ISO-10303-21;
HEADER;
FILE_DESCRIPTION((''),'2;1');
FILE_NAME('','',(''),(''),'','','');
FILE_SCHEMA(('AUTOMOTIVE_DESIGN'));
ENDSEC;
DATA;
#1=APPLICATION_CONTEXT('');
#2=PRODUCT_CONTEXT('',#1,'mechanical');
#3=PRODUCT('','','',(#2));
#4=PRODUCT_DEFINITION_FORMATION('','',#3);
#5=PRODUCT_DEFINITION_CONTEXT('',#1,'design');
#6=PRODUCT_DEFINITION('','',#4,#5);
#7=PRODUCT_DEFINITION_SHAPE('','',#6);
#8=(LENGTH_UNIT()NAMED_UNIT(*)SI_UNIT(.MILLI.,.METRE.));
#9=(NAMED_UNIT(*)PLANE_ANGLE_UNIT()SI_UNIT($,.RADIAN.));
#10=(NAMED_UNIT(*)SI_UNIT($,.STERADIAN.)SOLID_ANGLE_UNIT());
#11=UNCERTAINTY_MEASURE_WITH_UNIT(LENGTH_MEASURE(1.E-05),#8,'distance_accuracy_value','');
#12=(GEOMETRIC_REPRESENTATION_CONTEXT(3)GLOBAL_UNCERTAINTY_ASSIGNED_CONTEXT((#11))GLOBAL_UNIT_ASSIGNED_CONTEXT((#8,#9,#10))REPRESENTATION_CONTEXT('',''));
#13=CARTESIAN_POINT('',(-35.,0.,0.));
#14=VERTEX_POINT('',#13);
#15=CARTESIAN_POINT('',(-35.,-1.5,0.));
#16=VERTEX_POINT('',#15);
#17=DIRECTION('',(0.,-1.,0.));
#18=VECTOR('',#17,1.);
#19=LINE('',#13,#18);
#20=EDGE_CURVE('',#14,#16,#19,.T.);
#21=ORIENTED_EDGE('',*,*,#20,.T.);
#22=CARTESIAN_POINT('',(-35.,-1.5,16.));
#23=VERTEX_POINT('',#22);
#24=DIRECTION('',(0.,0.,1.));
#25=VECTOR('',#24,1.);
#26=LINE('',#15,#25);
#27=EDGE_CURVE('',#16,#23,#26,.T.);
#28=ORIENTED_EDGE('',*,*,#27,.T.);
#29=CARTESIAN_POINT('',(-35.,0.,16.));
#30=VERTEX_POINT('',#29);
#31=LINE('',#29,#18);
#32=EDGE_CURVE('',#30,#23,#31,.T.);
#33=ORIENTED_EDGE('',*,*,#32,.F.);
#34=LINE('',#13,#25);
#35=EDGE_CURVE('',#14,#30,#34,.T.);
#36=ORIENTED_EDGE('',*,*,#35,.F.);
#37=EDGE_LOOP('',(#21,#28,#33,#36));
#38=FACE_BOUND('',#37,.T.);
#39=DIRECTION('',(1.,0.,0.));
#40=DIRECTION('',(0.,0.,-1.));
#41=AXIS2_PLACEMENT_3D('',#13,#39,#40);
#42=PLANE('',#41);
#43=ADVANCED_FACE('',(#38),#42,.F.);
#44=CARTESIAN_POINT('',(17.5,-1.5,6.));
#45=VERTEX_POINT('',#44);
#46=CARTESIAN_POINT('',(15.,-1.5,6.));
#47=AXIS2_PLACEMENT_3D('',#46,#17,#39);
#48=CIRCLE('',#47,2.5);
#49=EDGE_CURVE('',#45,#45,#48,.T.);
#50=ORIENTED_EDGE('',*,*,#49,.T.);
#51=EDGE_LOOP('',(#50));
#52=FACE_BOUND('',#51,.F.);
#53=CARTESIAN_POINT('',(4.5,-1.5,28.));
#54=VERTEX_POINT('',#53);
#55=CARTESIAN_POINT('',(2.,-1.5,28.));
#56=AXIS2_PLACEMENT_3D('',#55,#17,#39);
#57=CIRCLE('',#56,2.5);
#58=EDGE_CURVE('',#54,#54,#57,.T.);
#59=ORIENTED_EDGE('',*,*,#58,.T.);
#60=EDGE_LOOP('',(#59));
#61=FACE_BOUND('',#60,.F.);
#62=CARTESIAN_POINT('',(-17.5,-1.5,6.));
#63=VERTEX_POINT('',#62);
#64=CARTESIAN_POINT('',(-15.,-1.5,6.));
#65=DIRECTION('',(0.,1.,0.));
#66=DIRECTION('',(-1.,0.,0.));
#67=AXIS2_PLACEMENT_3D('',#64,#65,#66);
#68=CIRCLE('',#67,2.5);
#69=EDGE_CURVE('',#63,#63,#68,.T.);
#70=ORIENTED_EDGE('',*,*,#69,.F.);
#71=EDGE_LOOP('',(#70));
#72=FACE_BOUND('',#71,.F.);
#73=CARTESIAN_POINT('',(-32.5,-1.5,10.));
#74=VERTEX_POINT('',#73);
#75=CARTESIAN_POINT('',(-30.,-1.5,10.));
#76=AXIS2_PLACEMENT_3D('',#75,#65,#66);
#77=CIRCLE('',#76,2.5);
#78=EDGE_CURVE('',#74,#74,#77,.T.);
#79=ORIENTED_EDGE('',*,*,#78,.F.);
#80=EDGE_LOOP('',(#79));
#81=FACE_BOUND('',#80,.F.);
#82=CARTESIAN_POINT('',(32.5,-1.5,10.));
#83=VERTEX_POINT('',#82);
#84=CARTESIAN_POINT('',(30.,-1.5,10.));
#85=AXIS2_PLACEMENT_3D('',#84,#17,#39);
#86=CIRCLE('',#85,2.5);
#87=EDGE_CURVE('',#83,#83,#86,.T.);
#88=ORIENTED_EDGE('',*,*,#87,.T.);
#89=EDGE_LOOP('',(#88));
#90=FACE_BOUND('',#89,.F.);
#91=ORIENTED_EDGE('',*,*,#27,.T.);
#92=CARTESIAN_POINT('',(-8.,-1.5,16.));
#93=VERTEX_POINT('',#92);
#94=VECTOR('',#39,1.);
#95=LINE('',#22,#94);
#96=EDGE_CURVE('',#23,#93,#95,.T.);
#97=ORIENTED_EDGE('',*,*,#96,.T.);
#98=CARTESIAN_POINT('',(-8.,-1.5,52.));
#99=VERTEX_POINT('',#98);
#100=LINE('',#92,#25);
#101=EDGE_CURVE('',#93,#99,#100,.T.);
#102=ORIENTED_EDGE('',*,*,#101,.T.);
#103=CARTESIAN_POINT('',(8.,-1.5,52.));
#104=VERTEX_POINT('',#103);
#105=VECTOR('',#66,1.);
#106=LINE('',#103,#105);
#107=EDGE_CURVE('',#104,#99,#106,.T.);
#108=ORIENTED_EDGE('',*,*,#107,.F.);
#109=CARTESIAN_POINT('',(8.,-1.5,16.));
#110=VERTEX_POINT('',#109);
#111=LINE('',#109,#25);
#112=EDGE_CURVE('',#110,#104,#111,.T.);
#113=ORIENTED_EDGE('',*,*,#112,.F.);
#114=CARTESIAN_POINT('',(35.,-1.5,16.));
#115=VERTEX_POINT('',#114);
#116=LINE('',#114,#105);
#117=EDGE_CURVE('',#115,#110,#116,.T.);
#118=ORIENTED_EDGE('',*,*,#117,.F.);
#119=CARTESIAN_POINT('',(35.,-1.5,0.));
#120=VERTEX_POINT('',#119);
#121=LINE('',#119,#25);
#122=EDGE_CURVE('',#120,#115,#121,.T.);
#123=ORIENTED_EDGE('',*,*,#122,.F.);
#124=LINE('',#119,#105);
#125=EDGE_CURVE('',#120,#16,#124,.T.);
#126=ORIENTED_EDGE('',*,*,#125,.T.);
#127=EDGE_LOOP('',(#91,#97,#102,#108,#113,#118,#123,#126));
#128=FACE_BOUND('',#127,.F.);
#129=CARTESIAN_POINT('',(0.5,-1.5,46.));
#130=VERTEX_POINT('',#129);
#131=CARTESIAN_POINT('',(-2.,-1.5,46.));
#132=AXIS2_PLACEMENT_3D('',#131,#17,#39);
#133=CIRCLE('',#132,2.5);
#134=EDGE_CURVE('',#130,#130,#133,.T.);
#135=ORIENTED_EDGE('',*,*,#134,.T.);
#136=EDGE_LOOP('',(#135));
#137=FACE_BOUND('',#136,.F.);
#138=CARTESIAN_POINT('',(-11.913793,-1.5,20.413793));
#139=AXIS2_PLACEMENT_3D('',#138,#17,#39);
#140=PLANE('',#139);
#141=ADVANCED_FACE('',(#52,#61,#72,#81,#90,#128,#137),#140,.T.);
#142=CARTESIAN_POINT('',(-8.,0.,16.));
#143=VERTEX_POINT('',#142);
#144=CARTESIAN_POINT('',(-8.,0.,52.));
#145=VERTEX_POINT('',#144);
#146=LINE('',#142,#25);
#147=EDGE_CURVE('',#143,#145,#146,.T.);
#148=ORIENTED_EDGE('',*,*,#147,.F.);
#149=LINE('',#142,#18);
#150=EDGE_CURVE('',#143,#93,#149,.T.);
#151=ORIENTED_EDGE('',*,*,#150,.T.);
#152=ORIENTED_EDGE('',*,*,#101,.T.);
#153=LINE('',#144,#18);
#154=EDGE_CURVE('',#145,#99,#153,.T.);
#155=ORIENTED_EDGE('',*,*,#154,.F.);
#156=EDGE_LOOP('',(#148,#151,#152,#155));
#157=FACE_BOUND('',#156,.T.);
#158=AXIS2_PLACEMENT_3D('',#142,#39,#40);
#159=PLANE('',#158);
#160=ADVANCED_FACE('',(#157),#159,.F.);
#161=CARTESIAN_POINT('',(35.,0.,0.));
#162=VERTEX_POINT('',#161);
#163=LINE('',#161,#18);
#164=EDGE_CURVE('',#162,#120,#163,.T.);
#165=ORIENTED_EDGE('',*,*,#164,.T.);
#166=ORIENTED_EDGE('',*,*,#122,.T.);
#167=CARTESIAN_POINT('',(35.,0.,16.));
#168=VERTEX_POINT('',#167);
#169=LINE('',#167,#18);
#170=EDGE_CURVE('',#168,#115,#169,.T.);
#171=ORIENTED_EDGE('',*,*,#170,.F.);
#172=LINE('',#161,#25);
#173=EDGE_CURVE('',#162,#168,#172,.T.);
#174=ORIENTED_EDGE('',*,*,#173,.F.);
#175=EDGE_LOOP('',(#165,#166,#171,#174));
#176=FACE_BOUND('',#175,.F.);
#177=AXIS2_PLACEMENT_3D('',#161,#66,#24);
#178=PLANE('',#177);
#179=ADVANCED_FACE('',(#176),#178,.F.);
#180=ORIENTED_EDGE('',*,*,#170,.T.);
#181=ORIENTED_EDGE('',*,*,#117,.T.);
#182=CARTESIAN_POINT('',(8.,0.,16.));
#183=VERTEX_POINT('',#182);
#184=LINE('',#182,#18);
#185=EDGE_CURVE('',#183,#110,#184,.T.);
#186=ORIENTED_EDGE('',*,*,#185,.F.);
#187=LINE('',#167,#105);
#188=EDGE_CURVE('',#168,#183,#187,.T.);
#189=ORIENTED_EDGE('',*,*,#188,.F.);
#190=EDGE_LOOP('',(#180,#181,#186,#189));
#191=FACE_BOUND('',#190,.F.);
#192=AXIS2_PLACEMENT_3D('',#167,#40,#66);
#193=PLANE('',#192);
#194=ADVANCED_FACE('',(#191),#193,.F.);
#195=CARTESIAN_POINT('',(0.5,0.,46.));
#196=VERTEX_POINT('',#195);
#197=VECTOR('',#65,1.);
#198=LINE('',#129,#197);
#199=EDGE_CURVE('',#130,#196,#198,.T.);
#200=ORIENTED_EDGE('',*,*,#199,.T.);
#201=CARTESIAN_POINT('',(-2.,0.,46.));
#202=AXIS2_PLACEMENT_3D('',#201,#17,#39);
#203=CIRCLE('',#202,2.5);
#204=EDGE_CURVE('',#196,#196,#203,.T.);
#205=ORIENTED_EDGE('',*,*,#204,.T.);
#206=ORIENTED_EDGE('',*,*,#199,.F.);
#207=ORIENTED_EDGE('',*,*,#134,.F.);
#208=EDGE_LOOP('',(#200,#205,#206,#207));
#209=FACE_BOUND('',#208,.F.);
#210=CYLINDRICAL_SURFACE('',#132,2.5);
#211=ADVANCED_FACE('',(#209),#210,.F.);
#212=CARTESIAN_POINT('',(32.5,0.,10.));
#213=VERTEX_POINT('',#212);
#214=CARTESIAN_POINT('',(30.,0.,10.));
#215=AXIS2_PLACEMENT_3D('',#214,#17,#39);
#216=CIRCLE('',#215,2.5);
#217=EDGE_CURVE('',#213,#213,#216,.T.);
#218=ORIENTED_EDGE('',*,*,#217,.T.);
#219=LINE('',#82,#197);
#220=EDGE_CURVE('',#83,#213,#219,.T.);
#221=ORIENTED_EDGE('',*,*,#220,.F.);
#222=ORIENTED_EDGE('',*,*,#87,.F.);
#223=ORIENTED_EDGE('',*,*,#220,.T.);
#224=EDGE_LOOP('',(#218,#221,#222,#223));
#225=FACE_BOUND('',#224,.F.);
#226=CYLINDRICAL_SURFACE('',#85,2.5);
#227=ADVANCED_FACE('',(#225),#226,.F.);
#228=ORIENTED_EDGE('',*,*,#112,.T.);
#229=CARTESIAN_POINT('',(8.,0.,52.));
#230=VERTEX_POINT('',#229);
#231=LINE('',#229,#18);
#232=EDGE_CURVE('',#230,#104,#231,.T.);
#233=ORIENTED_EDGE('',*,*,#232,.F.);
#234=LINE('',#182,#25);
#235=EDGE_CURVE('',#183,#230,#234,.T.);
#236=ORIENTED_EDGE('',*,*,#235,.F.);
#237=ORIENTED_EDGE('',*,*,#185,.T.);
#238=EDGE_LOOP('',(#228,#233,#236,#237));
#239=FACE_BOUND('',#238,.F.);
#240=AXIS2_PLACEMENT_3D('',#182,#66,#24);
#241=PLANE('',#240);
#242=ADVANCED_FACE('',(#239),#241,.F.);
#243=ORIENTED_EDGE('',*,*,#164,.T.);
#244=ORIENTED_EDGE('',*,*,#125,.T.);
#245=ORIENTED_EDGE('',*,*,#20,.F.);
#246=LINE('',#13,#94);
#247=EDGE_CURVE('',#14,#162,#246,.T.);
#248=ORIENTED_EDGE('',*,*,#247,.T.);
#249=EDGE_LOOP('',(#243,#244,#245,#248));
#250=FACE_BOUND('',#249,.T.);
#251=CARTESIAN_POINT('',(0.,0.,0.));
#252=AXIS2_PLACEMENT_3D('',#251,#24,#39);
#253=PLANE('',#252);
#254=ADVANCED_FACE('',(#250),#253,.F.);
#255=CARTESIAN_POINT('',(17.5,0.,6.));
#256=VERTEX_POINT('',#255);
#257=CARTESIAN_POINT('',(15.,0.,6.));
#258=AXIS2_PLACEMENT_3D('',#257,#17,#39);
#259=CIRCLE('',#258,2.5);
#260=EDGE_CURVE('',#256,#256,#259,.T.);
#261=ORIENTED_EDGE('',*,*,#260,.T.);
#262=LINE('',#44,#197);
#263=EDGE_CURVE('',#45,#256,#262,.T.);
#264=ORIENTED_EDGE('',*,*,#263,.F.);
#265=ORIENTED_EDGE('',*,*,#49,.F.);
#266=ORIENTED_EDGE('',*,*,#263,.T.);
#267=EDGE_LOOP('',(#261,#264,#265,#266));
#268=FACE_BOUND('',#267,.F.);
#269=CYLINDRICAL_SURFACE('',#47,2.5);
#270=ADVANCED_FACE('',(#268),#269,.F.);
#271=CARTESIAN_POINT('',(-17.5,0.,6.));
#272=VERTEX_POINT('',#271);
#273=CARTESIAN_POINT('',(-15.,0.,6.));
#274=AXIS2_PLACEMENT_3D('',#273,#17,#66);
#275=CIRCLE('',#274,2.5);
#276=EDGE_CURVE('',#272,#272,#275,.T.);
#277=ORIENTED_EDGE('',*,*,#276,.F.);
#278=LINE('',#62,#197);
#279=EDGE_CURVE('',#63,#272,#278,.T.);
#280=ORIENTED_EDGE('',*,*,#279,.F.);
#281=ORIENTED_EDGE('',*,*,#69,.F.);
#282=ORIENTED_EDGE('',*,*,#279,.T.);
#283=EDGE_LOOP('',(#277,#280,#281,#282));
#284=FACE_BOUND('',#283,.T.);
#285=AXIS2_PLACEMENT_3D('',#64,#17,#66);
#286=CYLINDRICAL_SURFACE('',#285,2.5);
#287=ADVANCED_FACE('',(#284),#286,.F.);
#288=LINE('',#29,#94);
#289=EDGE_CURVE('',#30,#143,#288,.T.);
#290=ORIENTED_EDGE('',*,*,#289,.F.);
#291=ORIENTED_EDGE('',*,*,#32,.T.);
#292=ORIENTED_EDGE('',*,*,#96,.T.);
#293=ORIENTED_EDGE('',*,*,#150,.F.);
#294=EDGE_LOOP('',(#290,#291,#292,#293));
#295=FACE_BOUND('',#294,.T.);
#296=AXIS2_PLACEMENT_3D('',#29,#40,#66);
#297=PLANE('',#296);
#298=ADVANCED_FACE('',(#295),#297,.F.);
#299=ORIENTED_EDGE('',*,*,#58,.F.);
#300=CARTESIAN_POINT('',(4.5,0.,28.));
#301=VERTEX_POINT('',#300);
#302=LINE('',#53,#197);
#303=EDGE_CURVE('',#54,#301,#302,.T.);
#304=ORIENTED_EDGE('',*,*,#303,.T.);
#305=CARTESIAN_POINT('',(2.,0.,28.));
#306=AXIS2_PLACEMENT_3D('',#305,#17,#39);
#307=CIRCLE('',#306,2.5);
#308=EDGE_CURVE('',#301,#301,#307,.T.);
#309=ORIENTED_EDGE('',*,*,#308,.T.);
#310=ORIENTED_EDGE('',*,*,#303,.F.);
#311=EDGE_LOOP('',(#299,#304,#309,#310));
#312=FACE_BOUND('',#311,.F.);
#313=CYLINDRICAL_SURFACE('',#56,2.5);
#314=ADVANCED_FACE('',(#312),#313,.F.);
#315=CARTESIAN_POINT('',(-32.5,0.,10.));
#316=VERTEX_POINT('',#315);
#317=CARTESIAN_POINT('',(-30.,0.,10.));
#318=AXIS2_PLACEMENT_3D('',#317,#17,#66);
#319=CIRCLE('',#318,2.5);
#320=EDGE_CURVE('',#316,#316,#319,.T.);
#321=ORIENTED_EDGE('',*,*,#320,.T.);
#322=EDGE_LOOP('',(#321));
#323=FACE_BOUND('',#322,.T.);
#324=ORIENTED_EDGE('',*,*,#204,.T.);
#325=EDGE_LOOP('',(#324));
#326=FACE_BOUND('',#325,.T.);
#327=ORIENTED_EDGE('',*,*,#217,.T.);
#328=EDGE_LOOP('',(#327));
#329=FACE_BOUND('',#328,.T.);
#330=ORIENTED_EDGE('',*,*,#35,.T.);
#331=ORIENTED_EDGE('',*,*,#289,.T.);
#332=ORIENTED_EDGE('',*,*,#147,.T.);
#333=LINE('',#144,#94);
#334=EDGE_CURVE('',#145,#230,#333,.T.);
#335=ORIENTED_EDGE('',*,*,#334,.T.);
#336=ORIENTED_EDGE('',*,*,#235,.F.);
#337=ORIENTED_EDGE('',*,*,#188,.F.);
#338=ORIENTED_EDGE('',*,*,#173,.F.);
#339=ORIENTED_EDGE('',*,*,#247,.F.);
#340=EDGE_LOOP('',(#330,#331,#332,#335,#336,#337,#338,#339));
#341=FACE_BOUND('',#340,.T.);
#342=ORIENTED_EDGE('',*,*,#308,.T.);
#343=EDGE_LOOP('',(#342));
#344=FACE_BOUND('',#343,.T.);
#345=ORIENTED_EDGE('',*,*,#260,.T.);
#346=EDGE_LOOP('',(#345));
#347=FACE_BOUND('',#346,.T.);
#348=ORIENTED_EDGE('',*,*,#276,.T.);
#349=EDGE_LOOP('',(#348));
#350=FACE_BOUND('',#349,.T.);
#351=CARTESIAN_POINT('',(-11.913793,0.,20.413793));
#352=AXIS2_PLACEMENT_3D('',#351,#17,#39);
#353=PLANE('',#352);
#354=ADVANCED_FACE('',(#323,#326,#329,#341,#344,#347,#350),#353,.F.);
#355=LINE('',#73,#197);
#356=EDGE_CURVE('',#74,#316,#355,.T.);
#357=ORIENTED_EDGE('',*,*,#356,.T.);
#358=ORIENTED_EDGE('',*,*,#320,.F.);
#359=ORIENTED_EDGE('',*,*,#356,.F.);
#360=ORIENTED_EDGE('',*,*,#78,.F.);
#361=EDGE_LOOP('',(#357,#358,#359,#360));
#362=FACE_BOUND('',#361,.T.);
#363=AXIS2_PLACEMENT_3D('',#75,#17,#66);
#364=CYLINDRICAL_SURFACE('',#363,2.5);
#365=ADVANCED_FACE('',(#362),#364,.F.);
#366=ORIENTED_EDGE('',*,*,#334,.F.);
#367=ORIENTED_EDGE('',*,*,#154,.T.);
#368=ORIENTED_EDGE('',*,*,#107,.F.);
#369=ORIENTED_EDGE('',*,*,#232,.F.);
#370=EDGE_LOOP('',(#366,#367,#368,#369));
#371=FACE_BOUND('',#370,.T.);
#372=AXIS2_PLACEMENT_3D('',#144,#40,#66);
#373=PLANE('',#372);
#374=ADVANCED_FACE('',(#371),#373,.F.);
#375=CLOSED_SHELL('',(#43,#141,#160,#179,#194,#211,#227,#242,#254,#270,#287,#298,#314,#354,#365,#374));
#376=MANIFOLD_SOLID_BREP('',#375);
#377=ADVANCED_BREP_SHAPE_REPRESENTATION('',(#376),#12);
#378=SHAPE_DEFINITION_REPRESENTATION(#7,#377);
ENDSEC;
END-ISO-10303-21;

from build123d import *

# Parameters (mm, degrees)
PAD_DEPTH       = 1.5
SKETCH001_R     = 2.5
POCKET_DEPTH    = 126.900362
SKETCH002_R     = 2.5
POCKET001_DEPTH = 1.501


with BuildPart() as part:
    # Sketch → Pad (new body)
    with BuildSketch(Plane.XZ):
        Polygon((0, 0), (35, 0), (35, 16), (8, 16), (8, 52), (0, 52), align=None)
    pad = extrude(amount=PAD_DEPTH)

    # Sketch001 (on Face8 of Pad) → Pocket (cut, through all)
    with BuildSketch(Plane.XZ.offset(1.5)):
        with Locations((30, 10)):
            Circle(SKETCH001_R)
        with Locations((15, 6)):
            Circle(SKETCH001_R)
    pocket = extrude(amount=-POCKET_DEPTH, mode=Mode.SUBTRACT)

    # Mirrored: Pad, Pocket across Sketch V_Axis
    add(pad.mirror(Plane(origin=(0, 0, 0), x_dir=(0, -1, 0), z_dir=(1, 0, 0))))
    add(pocket.mirror(Plane(origin=(0, 0, 0), x_dir=(0, -1, 0), z_dir=(1, 0, 0))), mode=Mode.SUBTRACT)

    # Sketch002 (on Face5 of Mirrored) → Pocket001 (cut, through all)
    with BuildSketch(Plane.XZ.offset(1.5)):
        with Locations((2, 28)):
            Circle(SKETCH002_R)
        with Locations((-2, 46)):
            Circle(SKETCH002_R)
    extrude(amount=-POCKET001_DEPTH, mode=Mode.SUBTRACT)


solid = part.part
